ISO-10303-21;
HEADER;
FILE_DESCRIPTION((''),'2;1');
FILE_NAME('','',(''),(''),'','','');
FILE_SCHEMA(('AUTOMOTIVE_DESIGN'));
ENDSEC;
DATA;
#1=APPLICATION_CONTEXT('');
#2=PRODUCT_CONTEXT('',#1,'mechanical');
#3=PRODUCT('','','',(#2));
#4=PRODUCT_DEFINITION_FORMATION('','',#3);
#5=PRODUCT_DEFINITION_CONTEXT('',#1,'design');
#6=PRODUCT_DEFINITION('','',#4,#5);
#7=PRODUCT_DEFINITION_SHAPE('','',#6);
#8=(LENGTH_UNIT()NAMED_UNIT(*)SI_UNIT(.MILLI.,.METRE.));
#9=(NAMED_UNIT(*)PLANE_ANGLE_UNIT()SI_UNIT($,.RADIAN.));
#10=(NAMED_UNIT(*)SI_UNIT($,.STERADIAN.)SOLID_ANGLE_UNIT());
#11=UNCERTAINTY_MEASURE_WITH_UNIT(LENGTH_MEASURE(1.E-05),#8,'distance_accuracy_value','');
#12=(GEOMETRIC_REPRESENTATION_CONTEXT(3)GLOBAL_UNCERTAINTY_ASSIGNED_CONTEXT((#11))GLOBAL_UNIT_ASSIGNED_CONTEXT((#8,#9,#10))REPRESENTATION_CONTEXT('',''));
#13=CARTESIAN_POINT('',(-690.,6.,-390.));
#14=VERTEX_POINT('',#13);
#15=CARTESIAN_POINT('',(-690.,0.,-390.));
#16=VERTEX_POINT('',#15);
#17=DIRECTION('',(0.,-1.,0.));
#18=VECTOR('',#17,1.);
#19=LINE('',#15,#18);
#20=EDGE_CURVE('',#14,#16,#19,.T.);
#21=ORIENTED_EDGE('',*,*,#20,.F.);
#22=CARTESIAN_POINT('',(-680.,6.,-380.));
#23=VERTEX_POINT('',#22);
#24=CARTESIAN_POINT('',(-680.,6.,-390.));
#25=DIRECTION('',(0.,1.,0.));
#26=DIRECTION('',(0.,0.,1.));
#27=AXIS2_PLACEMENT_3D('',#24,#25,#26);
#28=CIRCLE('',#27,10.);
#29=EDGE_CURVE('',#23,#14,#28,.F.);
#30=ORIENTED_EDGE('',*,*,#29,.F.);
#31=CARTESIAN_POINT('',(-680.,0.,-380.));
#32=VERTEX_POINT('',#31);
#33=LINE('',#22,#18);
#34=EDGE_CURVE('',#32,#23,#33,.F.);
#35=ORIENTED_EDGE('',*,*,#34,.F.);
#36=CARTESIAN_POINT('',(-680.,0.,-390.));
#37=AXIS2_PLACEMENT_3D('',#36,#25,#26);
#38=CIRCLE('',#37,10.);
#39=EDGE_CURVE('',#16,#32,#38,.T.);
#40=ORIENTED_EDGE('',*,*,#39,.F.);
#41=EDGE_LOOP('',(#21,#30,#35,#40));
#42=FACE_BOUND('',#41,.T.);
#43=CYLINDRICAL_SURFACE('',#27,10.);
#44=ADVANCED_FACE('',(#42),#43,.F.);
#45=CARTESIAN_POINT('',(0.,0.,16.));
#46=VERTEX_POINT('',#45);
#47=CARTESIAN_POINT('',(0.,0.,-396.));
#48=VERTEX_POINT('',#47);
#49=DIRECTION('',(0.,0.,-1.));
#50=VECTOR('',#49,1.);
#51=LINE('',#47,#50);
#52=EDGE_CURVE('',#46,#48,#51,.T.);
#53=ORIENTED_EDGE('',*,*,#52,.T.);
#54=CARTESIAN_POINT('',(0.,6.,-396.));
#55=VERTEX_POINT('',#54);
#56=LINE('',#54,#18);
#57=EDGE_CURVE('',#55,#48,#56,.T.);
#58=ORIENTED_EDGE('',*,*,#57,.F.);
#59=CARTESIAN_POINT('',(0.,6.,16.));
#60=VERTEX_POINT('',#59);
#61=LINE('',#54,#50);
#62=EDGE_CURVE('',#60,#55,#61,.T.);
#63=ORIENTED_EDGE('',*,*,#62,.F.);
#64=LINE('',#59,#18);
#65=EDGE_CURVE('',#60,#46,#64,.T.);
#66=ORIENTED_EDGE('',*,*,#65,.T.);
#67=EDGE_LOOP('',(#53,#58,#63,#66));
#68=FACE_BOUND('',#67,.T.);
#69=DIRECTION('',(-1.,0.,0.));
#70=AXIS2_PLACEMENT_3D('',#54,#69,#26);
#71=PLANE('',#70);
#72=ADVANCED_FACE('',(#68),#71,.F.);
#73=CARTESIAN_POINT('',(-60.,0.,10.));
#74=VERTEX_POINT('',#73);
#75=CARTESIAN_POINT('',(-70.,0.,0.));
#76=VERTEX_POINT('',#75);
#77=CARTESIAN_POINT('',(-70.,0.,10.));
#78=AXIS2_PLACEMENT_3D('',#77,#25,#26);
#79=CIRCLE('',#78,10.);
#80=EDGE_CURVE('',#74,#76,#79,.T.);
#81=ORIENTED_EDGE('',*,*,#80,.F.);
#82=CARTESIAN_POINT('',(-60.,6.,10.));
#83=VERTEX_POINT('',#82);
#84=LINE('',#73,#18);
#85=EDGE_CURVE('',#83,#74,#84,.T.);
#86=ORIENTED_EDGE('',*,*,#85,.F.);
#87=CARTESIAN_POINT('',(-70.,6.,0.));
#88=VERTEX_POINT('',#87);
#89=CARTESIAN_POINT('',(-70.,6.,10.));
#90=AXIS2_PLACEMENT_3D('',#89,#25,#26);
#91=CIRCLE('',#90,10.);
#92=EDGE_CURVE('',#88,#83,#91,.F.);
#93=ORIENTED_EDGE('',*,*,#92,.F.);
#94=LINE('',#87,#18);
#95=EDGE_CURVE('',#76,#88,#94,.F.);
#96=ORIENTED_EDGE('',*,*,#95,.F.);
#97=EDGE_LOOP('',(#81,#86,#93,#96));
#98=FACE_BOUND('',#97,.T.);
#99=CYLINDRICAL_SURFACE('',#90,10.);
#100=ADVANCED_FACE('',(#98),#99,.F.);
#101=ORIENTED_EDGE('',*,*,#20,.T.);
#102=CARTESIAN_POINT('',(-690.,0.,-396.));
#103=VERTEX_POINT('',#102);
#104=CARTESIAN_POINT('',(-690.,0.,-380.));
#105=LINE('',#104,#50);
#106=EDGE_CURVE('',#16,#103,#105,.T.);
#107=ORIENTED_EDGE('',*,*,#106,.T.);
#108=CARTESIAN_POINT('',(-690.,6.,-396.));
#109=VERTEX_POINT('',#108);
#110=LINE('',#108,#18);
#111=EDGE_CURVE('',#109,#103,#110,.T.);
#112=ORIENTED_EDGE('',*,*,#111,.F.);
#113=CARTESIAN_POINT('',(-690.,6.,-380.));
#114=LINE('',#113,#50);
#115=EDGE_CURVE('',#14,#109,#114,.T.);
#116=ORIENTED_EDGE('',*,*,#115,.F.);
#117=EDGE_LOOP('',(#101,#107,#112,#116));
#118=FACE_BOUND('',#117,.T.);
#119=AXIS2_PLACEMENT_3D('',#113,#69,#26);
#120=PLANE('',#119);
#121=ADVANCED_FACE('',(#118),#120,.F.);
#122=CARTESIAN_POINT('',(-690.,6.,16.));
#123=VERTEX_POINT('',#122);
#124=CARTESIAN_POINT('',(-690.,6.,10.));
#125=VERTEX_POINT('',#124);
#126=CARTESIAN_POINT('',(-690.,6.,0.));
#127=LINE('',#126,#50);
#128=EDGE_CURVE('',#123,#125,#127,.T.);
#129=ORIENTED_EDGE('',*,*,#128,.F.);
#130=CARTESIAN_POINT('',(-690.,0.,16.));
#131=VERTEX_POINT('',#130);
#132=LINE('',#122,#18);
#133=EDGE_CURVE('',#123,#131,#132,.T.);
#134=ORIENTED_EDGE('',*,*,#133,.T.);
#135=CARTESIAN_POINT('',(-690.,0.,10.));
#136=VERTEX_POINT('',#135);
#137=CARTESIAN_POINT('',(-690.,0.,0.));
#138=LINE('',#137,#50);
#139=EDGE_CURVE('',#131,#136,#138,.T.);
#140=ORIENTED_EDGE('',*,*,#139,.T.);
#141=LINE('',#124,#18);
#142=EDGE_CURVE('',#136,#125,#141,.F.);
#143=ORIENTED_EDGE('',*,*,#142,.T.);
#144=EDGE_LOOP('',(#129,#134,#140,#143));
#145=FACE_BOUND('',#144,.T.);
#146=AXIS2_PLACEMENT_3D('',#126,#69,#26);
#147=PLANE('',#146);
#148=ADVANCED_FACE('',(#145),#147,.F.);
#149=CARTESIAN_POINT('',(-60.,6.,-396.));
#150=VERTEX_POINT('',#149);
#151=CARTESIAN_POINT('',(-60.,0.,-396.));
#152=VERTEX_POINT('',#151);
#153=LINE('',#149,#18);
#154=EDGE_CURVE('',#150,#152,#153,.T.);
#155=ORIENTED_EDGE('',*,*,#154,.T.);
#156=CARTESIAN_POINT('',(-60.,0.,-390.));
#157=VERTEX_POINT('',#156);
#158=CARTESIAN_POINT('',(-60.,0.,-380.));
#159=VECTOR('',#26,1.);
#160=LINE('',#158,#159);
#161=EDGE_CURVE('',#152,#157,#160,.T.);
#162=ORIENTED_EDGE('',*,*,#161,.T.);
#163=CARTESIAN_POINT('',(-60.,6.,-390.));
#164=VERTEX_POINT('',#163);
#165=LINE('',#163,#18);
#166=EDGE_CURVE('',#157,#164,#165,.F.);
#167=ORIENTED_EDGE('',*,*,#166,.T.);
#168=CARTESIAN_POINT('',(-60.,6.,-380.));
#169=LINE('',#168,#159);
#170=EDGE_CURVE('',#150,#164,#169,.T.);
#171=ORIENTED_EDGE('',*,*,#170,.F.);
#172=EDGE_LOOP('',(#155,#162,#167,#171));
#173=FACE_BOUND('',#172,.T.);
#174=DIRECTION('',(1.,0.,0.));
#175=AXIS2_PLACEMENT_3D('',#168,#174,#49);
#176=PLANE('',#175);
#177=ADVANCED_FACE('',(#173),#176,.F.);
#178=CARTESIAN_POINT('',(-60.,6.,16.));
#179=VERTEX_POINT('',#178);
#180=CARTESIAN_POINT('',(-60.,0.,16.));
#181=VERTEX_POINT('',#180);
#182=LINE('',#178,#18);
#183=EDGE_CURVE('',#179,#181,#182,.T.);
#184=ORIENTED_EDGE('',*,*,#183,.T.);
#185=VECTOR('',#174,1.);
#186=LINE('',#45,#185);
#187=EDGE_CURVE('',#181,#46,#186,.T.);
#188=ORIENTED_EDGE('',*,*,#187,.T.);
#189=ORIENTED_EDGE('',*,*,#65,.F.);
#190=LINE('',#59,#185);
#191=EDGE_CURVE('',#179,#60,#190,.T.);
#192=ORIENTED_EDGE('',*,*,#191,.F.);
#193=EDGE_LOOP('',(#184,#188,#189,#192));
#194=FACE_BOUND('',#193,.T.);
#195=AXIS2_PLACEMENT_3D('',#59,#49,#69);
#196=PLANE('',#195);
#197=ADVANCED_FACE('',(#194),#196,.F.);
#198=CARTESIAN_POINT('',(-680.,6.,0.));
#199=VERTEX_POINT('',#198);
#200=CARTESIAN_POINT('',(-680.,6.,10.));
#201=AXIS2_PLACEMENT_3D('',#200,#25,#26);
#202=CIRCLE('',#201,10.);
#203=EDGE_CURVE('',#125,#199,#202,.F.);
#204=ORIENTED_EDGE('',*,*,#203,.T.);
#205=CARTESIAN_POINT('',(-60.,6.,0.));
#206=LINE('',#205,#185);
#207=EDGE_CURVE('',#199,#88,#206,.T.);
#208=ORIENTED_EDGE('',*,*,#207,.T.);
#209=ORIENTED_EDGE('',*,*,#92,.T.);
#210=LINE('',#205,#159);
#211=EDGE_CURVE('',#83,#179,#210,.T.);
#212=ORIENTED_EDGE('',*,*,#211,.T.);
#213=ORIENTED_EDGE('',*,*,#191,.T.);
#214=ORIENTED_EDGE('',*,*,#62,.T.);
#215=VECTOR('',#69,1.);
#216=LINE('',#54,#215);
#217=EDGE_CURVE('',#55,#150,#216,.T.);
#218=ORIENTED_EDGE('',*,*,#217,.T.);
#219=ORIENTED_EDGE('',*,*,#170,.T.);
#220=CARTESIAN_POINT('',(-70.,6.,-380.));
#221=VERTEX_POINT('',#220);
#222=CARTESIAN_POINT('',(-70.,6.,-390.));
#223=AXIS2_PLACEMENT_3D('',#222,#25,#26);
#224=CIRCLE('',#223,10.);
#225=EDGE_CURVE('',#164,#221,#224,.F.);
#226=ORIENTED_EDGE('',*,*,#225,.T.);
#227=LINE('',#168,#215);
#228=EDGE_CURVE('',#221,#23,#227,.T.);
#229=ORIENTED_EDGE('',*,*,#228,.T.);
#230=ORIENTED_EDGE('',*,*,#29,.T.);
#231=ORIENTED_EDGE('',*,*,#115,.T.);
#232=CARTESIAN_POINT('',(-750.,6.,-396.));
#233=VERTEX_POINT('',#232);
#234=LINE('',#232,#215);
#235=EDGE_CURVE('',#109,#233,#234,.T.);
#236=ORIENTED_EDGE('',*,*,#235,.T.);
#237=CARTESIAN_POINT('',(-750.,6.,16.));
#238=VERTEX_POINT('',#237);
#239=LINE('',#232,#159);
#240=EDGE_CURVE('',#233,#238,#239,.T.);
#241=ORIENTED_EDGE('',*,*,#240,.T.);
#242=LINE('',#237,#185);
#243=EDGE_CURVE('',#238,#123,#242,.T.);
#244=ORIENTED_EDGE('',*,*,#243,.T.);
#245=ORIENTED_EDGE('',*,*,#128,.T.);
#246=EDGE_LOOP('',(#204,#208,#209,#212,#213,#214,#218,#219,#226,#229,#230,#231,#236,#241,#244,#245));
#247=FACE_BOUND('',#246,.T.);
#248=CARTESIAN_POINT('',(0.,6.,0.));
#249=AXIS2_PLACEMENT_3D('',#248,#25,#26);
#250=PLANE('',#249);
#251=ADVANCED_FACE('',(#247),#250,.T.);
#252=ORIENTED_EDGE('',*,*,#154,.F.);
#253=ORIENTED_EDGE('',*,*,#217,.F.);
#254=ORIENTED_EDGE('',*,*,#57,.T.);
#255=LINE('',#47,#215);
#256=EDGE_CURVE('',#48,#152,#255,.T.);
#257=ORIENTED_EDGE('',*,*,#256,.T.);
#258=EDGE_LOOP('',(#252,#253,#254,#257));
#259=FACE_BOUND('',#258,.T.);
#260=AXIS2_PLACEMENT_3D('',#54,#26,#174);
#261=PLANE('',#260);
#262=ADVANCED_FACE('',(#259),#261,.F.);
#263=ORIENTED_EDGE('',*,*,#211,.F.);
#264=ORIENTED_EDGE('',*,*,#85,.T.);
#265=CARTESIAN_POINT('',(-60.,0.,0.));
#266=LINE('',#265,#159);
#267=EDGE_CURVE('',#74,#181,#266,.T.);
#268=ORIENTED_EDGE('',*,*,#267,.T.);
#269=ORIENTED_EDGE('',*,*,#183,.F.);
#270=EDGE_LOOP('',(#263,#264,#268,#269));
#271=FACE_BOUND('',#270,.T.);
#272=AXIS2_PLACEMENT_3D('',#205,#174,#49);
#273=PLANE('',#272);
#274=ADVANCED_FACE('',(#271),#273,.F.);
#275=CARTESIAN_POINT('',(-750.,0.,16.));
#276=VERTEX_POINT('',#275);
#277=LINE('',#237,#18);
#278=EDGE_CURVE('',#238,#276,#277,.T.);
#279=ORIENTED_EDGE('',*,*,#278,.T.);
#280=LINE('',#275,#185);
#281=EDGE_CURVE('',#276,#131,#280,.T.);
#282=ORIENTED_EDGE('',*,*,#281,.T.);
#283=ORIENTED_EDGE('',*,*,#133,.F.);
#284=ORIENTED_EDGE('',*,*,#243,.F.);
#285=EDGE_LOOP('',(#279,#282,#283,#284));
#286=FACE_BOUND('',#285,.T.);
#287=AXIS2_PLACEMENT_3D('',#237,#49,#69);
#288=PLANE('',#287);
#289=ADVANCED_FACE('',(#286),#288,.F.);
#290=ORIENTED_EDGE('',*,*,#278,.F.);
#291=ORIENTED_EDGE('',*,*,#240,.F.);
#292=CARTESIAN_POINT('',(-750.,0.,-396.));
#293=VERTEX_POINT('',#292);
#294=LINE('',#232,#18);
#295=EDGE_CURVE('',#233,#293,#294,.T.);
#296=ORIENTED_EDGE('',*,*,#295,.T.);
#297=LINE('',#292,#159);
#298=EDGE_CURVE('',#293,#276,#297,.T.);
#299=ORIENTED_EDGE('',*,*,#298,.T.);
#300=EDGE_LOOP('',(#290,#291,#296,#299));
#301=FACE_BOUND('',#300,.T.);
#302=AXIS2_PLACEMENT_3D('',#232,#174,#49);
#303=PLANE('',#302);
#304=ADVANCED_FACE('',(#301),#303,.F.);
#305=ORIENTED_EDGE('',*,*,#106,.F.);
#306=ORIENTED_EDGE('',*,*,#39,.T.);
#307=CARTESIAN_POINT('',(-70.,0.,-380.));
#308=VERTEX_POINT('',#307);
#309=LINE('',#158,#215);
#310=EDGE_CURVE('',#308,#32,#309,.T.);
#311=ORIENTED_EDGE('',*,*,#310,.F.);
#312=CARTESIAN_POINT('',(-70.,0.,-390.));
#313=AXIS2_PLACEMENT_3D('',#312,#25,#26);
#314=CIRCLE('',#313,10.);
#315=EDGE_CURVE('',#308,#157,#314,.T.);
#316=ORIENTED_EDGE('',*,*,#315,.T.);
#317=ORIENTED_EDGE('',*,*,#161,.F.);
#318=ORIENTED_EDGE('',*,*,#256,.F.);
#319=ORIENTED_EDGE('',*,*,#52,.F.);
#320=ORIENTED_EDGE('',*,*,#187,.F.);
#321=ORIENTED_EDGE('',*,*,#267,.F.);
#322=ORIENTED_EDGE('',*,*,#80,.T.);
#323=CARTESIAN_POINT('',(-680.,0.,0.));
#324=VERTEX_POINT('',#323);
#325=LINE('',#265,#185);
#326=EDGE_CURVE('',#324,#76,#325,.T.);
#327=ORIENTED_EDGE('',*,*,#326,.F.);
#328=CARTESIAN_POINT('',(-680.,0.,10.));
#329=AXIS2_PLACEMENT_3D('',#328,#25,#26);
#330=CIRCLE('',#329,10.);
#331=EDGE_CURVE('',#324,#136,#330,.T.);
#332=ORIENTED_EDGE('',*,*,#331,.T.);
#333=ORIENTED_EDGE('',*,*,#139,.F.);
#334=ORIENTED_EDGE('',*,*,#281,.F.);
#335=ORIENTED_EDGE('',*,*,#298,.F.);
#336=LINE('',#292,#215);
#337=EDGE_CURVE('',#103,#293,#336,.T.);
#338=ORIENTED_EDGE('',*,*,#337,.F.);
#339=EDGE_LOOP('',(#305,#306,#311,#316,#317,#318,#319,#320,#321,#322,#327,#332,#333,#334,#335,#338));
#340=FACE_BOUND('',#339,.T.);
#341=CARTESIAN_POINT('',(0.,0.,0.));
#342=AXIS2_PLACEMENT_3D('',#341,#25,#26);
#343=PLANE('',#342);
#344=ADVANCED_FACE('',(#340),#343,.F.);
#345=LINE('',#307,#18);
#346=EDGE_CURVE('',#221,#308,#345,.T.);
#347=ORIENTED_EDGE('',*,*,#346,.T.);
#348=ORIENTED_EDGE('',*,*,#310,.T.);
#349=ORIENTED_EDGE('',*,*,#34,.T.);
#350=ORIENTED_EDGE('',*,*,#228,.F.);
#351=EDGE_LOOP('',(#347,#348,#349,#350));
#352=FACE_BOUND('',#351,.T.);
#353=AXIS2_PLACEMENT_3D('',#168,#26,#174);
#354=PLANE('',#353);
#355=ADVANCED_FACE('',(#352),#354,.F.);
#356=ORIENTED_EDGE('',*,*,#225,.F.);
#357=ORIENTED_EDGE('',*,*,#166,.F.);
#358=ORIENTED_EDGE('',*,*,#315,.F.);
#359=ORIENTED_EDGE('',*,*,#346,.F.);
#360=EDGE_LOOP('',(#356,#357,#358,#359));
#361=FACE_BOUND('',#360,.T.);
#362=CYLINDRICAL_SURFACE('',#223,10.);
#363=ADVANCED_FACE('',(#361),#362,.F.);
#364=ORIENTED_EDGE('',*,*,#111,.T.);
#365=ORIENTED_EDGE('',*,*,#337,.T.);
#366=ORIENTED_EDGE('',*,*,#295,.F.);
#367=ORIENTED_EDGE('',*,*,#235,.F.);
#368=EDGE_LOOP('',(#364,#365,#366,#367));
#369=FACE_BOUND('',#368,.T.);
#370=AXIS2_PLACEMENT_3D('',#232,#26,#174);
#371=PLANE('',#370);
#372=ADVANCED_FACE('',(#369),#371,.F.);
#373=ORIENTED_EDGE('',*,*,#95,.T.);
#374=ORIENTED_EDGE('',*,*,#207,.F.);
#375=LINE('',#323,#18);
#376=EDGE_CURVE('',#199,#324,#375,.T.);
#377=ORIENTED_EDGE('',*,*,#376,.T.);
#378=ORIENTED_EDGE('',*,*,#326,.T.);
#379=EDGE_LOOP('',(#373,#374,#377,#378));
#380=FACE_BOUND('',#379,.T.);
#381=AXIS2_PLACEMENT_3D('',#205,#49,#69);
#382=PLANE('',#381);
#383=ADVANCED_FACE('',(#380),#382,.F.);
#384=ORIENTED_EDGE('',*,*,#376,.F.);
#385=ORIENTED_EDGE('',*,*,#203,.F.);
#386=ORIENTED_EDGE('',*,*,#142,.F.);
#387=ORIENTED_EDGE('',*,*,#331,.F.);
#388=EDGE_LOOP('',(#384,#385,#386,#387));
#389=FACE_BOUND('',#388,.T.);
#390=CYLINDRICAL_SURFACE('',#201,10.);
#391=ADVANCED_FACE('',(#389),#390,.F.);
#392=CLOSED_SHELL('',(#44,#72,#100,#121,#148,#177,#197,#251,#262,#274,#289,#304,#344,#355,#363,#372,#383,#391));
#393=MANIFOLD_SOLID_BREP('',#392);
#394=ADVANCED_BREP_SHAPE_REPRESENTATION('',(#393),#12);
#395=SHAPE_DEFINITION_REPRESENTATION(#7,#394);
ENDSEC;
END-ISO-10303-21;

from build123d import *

# Parameters (mm, degrees)
BOSS_EXTRUDE1_DEPTH = 6
FILLET1_R           = 10


with BuildPart() as part:
    # Sketch1 → Boss-Extrude1 (new body)
    with BuildSketch(Plane(origin=(0, 0, 0), x_dir=(1, 0, 0), z_dir=(0, 1, 0))):
        Polygon((-750, 396), (-690, 396), (-690, 380), (-60, 380), (-60, 396), (0, 396), (0, -16), (-60, -16), (-60, 0), (-690, 0), (-690, -16), (-750, -16), align=None)
    extrude(amount=BOSS_EXTRUDE1_DEPTH)

    # Fillet1
    fillet1_edges = [part.edges().sort_by_distance(p)[0] for p in [
        (-690, 3, -380),
        (-60, 3, -380),
        (-60, 3, 0),
        (-690, 3, 0),
    ]]
    fillet(fillet1_edges, radius=FILLET1_R)


solid = part.part
